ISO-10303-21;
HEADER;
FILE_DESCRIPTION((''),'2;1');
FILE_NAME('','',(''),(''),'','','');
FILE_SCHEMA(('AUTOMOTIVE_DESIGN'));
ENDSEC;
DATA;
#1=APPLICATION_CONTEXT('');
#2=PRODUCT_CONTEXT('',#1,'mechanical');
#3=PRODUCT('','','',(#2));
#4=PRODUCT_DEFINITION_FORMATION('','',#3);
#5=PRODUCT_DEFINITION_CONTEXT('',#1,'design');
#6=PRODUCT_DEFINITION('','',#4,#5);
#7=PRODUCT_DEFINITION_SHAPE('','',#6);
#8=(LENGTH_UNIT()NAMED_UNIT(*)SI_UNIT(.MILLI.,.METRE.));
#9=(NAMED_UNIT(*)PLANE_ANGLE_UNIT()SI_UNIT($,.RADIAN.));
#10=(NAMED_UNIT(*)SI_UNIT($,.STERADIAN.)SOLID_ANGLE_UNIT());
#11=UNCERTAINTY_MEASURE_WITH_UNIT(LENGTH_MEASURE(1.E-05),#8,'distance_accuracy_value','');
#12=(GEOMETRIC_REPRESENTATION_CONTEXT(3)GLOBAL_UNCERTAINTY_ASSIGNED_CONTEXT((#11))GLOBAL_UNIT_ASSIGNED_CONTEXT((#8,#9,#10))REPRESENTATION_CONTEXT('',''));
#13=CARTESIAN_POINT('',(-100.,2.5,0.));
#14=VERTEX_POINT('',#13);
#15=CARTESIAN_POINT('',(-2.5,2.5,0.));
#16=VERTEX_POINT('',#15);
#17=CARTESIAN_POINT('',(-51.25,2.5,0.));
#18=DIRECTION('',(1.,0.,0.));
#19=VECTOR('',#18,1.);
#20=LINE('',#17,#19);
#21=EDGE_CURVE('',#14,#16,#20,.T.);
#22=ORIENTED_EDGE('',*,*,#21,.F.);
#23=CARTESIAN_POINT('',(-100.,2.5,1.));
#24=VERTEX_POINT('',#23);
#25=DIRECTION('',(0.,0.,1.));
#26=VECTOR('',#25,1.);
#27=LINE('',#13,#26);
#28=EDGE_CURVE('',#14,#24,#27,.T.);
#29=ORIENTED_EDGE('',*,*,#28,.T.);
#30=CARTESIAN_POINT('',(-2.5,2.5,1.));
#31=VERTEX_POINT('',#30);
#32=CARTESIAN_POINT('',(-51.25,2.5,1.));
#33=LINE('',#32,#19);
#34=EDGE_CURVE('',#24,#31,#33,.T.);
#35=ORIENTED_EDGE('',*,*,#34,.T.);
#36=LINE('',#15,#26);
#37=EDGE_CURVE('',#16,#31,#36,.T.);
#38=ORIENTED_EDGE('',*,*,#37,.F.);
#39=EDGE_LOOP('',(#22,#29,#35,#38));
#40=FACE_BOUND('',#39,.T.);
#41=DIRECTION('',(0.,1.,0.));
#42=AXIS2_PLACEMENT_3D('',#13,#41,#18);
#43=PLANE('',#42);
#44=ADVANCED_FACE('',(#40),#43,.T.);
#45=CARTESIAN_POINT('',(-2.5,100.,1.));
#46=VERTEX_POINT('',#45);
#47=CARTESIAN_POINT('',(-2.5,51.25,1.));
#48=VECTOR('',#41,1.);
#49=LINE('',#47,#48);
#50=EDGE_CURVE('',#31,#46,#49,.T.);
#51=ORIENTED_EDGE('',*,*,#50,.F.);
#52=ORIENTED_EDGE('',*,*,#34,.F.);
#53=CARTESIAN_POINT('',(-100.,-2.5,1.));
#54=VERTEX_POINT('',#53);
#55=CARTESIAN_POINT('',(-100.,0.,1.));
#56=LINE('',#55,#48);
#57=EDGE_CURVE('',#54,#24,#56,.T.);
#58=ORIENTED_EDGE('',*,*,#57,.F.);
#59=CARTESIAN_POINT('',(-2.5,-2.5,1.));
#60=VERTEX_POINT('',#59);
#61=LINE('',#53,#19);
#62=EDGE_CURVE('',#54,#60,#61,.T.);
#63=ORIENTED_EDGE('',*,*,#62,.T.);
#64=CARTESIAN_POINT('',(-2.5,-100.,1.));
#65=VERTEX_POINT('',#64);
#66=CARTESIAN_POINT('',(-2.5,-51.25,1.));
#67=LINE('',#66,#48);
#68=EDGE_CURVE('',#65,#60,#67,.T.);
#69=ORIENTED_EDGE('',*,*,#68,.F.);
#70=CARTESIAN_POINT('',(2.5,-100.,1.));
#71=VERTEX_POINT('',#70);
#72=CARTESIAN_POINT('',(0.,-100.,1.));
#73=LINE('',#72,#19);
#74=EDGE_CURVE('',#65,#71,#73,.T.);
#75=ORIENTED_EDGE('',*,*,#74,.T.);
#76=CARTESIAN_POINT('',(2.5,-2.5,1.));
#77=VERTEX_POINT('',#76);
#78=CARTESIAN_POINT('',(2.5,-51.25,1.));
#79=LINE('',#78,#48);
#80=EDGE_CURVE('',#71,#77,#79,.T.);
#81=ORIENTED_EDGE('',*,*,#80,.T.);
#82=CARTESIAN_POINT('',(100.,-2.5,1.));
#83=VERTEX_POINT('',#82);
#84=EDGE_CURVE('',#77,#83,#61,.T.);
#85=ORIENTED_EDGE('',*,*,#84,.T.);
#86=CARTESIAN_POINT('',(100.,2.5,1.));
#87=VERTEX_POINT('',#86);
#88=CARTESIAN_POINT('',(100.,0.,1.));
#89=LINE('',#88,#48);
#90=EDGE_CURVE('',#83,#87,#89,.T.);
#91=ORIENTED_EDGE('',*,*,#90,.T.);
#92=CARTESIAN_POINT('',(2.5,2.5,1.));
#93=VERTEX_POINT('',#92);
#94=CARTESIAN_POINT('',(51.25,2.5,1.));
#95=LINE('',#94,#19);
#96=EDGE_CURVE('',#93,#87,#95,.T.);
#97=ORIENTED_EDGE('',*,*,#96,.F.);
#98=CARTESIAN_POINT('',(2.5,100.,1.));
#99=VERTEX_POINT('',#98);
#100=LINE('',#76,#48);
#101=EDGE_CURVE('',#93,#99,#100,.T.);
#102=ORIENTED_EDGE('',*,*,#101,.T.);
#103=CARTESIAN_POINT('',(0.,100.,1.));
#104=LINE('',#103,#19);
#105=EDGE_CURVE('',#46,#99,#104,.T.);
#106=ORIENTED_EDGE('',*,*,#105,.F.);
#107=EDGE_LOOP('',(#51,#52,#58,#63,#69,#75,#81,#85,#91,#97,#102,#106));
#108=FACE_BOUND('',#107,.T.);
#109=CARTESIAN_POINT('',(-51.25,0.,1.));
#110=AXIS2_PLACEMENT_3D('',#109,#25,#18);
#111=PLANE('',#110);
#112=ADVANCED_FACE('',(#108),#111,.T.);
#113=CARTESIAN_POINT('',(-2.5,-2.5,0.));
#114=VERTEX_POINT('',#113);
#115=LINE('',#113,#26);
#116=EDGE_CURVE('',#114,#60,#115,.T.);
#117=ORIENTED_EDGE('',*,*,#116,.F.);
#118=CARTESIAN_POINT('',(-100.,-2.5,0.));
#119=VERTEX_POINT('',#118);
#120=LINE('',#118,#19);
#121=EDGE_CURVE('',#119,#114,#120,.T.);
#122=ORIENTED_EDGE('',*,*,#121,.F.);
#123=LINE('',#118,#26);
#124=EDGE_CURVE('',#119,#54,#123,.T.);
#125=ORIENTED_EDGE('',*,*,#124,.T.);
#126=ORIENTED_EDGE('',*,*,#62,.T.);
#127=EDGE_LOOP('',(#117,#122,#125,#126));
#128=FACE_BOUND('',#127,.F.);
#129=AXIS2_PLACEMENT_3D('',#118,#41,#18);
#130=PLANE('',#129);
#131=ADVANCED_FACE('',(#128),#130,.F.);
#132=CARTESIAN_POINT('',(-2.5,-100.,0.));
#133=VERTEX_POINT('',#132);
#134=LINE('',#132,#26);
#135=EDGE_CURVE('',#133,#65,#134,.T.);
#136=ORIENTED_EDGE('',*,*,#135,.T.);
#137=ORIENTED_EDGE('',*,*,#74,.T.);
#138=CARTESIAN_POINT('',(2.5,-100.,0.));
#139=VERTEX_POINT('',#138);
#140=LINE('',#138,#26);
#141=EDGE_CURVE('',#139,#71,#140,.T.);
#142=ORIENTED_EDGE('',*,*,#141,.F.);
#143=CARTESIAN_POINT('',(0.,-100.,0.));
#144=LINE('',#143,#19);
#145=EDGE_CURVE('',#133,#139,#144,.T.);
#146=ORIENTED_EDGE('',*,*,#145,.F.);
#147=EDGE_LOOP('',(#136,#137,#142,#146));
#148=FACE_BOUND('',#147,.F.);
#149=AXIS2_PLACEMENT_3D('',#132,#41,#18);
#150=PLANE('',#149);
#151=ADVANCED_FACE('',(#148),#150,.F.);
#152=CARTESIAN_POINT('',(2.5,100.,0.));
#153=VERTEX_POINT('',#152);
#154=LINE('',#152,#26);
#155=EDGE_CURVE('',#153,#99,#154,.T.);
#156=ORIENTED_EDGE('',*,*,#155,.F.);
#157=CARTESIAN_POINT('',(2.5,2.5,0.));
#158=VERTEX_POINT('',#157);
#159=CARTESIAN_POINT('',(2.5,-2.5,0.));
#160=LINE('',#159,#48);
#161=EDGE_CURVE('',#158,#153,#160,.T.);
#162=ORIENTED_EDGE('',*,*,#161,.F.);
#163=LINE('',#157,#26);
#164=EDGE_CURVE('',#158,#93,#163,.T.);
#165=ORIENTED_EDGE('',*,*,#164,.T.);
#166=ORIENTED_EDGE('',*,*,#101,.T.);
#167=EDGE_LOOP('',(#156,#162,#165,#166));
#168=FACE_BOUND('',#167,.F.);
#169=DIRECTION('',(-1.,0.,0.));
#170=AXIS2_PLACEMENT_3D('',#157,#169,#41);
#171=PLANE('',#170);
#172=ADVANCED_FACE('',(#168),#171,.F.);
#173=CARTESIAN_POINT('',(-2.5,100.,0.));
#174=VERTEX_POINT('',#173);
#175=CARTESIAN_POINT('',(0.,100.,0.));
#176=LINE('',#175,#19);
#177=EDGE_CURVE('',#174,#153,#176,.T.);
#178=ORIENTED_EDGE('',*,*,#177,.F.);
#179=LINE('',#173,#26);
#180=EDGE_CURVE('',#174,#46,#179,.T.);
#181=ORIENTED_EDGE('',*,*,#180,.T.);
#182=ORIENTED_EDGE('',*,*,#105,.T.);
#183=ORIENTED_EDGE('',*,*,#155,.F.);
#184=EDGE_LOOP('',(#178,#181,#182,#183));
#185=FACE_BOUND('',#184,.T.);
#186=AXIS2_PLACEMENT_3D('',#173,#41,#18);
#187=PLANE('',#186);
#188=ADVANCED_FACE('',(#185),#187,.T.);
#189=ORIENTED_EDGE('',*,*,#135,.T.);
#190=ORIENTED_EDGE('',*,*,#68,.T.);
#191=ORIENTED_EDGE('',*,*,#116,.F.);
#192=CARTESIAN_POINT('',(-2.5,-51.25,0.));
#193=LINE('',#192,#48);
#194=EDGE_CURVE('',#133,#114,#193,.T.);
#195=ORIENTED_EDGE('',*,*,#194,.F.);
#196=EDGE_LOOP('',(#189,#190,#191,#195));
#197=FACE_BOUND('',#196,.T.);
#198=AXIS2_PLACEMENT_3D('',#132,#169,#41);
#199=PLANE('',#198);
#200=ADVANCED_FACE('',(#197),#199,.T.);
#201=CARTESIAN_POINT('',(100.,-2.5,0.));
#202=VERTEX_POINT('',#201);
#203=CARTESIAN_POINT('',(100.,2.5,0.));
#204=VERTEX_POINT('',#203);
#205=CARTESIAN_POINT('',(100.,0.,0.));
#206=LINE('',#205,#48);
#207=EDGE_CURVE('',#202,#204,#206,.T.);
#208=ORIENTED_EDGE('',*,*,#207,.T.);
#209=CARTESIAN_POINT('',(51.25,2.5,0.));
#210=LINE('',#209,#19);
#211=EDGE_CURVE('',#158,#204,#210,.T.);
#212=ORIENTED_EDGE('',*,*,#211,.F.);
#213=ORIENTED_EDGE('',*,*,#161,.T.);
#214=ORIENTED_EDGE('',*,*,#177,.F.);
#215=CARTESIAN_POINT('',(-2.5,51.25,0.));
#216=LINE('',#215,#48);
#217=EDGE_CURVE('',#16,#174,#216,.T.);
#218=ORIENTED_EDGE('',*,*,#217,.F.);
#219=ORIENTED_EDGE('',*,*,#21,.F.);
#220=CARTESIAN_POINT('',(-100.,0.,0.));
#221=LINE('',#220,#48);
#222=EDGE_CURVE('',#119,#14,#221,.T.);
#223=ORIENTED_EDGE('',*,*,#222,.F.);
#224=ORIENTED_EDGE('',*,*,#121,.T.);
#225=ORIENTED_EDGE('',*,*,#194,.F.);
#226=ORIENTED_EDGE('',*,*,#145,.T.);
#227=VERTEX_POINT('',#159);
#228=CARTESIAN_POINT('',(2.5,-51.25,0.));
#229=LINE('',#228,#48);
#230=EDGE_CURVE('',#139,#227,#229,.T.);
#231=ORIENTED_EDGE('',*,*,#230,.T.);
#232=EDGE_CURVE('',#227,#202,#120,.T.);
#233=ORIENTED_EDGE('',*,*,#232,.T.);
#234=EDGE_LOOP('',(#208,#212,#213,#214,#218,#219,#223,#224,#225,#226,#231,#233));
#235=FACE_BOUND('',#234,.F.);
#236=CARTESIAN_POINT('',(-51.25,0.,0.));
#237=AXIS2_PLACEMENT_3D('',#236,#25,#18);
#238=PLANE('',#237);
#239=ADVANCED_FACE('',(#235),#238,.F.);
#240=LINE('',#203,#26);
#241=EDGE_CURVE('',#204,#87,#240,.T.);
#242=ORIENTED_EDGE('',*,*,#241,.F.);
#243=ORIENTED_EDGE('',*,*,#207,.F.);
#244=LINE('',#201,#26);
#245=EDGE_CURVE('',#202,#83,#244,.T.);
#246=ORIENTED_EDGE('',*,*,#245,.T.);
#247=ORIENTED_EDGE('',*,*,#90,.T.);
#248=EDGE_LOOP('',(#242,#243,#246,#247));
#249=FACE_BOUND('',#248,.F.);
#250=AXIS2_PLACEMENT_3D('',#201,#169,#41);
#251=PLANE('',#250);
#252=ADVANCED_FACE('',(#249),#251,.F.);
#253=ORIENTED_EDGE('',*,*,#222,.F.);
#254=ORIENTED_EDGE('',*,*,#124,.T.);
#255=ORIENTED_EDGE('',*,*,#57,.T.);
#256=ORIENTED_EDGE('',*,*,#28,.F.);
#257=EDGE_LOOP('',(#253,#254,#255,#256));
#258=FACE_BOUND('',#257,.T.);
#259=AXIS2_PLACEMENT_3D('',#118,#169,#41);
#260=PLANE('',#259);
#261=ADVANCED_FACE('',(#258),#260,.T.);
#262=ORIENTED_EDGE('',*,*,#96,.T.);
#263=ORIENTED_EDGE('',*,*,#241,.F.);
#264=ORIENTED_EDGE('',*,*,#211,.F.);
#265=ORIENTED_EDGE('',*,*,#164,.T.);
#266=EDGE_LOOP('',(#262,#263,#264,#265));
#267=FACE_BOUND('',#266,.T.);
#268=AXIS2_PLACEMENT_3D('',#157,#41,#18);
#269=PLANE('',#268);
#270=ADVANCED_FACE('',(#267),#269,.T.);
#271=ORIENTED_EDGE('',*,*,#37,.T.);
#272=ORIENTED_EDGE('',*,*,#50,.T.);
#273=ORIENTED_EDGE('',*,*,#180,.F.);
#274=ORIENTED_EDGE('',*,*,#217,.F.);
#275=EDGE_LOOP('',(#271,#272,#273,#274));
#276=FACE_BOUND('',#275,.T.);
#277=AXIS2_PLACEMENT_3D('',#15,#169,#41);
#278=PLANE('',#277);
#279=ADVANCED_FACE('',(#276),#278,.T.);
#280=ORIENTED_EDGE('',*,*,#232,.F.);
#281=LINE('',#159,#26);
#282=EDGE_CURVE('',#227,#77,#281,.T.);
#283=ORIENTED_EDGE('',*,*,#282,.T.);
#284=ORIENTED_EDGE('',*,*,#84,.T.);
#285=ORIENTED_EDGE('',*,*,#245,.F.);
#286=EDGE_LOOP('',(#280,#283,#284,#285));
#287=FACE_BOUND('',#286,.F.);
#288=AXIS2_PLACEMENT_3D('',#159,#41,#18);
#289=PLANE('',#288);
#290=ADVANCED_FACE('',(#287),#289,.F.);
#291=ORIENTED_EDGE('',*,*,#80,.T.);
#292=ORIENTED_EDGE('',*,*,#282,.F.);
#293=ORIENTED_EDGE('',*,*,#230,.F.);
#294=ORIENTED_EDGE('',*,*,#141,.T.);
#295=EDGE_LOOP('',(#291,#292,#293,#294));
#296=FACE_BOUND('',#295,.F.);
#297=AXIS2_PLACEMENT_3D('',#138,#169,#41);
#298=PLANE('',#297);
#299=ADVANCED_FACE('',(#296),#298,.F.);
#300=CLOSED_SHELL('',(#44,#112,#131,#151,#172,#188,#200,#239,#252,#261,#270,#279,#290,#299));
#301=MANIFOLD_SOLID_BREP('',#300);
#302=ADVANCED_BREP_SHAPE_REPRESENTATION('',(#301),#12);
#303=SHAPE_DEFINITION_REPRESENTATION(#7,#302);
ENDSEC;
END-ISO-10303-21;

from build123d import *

# Parameters (mm, degrees)
F0_W     = 97.5
F0_H     = 5
F0_W_2   = 5
F0_H_2   = 97.5
F1_DEPTH = 1


with BuildPart() as f1:
    # F0 (on Top) → F1 (new body)
    with BuildSketch(Plane.XY):
        with Locations((-51.25, 0)):
            Rectangle(F0_W, F0_H)
        with Locations((0, 51.25)):
            Rectangle(F0_W_2, F0_H_2)
        Rectangle(F0_W_2, F0_H)
        with Locations((51.25, 0)):
            Rectangle(F0_W, F0_H)
        with Locations((0, -51.25)):
            Rectangle(F0_W_2, F0_H_2)
    extrude(amount=F1_DEPTH)


solid = f1.part
